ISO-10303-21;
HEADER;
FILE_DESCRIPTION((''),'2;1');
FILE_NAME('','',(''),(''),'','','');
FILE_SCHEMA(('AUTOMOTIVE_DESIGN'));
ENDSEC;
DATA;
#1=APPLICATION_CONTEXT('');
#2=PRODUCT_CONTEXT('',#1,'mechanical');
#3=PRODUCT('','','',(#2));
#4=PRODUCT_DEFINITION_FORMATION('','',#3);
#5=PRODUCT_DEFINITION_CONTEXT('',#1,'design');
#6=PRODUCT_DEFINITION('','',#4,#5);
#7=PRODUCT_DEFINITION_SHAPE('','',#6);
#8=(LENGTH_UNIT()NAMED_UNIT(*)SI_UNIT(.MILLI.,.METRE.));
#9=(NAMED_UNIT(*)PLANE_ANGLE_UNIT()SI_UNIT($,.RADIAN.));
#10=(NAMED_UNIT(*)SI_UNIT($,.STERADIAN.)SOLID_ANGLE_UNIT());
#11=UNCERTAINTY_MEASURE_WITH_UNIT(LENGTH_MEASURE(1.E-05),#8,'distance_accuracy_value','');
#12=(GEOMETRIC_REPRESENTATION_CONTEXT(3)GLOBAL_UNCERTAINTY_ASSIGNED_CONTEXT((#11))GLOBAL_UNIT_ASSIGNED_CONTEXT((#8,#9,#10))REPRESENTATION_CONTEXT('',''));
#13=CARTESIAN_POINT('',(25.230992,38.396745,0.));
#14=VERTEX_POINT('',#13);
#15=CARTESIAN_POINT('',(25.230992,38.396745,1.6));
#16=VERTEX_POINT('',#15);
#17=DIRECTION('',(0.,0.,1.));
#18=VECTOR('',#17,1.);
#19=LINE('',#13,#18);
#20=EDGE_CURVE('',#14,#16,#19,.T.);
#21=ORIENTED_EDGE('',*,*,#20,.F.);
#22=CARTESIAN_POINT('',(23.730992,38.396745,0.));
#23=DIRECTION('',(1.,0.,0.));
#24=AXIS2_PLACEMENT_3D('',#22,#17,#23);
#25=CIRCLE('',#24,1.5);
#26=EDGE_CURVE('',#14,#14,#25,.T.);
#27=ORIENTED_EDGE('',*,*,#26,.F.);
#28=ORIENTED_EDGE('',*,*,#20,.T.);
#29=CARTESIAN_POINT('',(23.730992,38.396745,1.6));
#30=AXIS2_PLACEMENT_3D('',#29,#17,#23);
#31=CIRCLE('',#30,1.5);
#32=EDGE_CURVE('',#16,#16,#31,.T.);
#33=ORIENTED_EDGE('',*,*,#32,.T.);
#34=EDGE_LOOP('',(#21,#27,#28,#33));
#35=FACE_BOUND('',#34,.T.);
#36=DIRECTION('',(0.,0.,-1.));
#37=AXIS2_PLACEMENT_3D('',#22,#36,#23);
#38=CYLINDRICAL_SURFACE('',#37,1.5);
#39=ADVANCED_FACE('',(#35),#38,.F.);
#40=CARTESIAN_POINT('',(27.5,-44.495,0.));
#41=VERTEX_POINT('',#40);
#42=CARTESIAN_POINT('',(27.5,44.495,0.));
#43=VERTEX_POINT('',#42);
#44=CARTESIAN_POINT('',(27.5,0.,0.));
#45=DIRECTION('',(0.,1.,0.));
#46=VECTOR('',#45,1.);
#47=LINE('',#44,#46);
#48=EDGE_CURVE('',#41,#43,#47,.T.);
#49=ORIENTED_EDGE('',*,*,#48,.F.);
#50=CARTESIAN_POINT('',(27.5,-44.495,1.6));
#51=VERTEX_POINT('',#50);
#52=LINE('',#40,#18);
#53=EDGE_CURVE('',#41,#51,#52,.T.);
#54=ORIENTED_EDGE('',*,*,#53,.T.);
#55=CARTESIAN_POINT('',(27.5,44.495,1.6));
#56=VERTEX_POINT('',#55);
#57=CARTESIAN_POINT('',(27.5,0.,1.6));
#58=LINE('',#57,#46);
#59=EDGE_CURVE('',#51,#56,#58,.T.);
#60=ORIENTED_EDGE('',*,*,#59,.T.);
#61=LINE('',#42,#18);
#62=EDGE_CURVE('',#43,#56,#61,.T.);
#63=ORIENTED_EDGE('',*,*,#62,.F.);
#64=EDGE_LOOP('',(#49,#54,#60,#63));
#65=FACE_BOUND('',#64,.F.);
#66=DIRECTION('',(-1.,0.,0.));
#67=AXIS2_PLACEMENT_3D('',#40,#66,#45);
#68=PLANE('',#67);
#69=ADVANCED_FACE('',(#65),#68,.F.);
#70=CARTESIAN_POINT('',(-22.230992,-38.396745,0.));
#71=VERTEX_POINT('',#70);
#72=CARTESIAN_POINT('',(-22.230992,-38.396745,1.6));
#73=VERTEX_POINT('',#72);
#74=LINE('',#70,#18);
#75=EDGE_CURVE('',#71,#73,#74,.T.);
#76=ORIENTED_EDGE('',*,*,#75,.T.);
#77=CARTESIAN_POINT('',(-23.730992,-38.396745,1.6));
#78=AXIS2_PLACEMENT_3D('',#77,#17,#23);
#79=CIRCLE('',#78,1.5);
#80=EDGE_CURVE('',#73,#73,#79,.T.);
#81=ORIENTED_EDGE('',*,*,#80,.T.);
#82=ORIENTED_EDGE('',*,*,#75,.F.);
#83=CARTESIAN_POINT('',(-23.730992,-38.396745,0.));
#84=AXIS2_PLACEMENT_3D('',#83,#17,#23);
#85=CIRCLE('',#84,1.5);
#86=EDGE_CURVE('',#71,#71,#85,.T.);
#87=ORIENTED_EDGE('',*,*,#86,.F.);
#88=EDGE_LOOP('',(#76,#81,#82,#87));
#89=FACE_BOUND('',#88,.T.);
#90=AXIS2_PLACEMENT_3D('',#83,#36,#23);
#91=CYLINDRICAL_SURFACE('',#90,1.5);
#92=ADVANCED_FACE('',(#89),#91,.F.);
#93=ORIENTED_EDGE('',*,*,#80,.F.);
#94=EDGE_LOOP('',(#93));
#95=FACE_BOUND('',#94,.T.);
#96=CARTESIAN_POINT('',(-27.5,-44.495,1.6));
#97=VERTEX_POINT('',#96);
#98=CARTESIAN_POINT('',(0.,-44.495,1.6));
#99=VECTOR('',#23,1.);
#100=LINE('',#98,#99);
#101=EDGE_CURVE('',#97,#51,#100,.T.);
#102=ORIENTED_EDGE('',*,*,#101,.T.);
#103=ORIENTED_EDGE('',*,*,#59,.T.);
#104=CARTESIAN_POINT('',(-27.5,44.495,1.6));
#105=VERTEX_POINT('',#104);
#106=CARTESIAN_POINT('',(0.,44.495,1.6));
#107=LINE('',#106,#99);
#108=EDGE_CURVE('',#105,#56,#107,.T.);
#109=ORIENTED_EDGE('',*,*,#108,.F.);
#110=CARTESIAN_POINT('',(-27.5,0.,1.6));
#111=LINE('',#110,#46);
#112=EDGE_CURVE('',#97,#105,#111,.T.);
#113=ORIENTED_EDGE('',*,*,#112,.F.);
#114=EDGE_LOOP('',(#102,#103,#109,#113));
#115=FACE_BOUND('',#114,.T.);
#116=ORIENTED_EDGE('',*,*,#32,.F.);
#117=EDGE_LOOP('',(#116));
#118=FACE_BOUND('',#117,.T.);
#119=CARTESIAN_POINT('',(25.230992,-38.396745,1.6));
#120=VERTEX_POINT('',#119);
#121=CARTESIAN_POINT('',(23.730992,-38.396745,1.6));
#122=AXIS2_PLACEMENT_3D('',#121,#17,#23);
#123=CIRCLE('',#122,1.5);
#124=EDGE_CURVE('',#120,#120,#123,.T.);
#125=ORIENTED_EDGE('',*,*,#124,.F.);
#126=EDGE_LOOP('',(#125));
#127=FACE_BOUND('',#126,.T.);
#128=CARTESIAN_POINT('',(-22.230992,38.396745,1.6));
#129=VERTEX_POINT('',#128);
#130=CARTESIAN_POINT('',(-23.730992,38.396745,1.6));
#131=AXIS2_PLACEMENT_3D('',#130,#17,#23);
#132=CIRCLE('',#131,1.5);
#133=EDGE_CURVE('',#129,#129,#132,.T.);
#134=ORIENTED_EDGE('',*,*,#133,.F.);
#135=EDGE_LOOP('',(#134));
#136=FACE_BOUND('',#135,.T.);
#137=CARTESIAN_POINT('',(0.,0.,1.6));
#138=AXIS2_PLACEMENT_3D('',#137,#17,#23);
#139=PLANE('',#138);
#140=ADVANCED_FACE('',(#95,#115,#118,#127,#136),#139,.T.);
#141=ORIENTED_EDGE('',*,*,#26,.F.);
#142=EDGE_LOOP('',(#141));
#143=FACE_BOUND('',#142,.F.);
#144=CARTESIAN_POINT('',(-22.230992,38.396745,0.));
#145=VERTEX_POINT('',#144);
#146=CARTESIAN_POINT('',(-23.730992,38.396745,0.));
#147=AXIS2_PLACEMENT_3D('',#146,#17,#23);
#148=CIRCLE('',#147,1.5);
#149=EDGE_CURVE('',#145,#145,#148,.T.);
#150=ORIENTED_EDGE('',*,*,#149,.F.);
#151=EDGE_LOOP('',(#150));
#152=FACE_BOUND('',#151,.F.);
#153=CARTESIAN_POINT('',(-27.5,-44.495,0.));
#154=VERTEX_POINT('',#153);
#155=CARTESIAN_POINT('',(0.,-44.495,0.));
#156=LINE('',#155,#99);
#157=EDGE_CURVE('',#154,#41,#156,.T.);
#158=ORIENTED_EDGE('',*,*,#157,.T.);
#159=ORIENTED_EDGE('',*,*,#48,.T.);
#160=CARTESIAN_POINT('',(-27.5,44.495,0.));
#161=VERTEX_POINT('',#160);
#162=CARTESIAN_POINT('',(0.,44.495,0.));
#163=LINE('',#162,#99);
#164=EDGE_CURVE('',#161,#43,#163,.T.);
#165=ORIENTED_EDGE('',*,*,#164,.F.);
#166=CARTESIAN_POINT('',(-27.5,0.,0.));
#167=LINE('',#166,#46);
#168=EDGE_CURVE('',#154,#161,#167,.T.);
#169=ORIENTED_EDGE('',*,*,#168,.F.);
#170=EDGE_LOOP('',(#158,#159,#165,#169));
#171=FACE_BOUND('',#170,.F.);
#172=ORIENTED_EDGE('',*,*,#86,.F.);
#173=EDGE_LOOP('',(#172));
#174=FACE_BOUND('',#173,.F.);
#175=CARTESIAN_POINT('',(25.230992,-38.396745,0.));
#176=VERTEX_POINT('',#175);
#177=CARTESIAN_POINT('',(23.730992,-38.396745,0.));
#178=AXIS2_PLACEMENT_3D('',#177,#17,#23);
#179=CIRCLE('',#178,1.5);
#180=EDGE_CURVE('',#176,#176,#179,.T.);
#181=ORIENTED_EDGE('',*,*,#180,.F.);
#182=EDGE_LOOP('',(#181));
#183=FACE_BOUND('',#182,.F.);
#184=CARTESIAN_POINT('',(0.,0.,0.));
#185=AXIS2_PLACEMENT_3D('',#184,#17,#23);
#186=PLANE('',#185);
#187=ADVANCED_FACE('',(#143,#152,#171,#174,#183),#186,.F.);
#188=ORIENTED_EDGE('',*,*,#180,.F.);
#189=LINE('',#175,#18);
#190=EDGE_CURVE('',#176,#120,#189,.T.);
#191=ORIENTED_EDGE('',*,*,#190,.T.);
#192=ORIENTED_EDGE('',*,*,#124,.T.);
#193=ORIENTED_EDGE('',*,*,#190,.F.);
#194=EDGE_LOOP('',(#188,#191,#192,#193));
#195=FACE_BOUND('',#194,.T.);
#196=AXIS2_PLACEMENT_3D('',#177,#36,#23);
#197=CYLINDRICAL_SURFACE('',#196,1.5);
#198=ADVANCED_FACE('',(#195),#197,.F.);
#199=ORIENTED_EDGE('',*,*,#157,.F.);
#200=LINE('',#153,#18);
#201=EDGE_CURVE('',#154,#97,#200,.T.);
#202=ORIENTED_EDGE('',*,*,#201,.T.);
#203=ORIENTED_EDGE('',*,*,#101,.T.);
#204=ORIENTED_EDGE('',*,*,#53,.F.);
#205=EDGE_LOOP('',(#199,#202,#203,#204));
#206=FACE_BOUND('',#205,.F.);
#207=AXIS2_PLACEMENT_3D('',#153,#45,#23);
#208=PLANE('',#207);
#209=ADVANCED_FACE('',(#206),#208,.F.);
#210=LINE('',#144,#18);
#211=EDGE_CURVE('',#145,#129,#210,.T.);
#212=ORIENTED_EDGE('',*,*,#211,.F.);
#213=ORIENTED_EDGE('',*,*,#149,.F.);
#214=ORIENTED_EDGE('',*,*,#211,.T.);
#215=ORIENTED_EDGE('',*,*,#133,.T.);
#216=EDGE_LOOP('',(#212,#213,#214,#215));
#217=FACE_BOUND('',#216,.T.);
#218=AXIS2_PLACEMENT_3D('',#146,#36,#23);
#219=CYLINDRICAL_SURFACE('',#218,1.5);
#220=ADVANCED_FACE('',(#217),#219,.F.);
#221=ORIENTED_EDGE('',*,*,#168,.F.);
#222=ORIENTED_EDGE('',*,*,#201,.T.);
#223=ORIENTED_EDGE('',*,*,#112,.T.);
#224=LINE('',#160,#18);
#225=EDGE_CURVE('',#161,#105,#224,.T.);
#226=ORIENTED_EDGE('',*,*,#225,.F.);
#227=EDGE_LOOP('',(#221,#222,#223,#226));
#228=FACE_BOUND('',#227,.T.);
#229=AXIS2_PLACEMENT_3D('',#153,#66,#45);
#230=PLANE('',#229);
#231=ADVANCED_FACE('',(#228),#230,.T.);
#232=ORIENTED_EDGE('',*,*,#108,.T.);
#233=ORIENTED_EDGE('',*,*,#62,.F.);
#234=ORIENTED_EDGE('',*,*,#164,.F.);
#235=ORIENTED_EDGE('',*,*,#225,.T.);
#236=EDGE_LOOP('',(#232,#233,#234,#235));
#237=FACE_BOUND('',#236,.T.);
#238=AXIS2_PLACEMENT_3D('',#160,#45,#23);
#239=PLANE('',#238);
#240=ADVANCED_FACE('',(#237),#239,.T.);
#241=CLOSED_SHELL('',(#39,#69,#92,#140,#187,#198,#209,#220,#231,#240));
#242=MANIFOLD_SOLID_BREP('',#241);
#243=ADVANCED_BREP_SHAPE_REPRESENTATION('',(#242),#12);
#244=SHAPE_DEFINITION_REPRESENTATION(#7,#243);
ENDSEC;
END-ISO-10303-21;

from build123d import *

# Parameters (mm, degrees)
SKETCH_W      = 55
SKETCH_H      = 88.99
SKETCH_R      = 1.5
EXTRUDE_DEPTH = 1.6


with BuildPart() as part:
    # Sketch → Extrude (new body)
    with BuildSketch(Plane.XY):
        Rectangle(SKETCH_W, SKETCH_H)
        with Locations((-23.730992, 38.396745)):
            Circle(SKETCH_R, mode=Mode.SUBTRACT)
        with Locations((23.730992, 38.396745)):
            Circle(SKETCH_R, mode=Mode.SUBTRACT)
        with Locations((-23.730992, -38.396745)):
            Circle(SKETCH_R, mode=Mode.SUBTRACT)
        with Locations((23.730992, -38.396745)):
            Circle(SKETCH_R, mode=Mode.SUBTRACT)
    extrude(amount=EXTRUDE_DEPTH)


solid = part.part
